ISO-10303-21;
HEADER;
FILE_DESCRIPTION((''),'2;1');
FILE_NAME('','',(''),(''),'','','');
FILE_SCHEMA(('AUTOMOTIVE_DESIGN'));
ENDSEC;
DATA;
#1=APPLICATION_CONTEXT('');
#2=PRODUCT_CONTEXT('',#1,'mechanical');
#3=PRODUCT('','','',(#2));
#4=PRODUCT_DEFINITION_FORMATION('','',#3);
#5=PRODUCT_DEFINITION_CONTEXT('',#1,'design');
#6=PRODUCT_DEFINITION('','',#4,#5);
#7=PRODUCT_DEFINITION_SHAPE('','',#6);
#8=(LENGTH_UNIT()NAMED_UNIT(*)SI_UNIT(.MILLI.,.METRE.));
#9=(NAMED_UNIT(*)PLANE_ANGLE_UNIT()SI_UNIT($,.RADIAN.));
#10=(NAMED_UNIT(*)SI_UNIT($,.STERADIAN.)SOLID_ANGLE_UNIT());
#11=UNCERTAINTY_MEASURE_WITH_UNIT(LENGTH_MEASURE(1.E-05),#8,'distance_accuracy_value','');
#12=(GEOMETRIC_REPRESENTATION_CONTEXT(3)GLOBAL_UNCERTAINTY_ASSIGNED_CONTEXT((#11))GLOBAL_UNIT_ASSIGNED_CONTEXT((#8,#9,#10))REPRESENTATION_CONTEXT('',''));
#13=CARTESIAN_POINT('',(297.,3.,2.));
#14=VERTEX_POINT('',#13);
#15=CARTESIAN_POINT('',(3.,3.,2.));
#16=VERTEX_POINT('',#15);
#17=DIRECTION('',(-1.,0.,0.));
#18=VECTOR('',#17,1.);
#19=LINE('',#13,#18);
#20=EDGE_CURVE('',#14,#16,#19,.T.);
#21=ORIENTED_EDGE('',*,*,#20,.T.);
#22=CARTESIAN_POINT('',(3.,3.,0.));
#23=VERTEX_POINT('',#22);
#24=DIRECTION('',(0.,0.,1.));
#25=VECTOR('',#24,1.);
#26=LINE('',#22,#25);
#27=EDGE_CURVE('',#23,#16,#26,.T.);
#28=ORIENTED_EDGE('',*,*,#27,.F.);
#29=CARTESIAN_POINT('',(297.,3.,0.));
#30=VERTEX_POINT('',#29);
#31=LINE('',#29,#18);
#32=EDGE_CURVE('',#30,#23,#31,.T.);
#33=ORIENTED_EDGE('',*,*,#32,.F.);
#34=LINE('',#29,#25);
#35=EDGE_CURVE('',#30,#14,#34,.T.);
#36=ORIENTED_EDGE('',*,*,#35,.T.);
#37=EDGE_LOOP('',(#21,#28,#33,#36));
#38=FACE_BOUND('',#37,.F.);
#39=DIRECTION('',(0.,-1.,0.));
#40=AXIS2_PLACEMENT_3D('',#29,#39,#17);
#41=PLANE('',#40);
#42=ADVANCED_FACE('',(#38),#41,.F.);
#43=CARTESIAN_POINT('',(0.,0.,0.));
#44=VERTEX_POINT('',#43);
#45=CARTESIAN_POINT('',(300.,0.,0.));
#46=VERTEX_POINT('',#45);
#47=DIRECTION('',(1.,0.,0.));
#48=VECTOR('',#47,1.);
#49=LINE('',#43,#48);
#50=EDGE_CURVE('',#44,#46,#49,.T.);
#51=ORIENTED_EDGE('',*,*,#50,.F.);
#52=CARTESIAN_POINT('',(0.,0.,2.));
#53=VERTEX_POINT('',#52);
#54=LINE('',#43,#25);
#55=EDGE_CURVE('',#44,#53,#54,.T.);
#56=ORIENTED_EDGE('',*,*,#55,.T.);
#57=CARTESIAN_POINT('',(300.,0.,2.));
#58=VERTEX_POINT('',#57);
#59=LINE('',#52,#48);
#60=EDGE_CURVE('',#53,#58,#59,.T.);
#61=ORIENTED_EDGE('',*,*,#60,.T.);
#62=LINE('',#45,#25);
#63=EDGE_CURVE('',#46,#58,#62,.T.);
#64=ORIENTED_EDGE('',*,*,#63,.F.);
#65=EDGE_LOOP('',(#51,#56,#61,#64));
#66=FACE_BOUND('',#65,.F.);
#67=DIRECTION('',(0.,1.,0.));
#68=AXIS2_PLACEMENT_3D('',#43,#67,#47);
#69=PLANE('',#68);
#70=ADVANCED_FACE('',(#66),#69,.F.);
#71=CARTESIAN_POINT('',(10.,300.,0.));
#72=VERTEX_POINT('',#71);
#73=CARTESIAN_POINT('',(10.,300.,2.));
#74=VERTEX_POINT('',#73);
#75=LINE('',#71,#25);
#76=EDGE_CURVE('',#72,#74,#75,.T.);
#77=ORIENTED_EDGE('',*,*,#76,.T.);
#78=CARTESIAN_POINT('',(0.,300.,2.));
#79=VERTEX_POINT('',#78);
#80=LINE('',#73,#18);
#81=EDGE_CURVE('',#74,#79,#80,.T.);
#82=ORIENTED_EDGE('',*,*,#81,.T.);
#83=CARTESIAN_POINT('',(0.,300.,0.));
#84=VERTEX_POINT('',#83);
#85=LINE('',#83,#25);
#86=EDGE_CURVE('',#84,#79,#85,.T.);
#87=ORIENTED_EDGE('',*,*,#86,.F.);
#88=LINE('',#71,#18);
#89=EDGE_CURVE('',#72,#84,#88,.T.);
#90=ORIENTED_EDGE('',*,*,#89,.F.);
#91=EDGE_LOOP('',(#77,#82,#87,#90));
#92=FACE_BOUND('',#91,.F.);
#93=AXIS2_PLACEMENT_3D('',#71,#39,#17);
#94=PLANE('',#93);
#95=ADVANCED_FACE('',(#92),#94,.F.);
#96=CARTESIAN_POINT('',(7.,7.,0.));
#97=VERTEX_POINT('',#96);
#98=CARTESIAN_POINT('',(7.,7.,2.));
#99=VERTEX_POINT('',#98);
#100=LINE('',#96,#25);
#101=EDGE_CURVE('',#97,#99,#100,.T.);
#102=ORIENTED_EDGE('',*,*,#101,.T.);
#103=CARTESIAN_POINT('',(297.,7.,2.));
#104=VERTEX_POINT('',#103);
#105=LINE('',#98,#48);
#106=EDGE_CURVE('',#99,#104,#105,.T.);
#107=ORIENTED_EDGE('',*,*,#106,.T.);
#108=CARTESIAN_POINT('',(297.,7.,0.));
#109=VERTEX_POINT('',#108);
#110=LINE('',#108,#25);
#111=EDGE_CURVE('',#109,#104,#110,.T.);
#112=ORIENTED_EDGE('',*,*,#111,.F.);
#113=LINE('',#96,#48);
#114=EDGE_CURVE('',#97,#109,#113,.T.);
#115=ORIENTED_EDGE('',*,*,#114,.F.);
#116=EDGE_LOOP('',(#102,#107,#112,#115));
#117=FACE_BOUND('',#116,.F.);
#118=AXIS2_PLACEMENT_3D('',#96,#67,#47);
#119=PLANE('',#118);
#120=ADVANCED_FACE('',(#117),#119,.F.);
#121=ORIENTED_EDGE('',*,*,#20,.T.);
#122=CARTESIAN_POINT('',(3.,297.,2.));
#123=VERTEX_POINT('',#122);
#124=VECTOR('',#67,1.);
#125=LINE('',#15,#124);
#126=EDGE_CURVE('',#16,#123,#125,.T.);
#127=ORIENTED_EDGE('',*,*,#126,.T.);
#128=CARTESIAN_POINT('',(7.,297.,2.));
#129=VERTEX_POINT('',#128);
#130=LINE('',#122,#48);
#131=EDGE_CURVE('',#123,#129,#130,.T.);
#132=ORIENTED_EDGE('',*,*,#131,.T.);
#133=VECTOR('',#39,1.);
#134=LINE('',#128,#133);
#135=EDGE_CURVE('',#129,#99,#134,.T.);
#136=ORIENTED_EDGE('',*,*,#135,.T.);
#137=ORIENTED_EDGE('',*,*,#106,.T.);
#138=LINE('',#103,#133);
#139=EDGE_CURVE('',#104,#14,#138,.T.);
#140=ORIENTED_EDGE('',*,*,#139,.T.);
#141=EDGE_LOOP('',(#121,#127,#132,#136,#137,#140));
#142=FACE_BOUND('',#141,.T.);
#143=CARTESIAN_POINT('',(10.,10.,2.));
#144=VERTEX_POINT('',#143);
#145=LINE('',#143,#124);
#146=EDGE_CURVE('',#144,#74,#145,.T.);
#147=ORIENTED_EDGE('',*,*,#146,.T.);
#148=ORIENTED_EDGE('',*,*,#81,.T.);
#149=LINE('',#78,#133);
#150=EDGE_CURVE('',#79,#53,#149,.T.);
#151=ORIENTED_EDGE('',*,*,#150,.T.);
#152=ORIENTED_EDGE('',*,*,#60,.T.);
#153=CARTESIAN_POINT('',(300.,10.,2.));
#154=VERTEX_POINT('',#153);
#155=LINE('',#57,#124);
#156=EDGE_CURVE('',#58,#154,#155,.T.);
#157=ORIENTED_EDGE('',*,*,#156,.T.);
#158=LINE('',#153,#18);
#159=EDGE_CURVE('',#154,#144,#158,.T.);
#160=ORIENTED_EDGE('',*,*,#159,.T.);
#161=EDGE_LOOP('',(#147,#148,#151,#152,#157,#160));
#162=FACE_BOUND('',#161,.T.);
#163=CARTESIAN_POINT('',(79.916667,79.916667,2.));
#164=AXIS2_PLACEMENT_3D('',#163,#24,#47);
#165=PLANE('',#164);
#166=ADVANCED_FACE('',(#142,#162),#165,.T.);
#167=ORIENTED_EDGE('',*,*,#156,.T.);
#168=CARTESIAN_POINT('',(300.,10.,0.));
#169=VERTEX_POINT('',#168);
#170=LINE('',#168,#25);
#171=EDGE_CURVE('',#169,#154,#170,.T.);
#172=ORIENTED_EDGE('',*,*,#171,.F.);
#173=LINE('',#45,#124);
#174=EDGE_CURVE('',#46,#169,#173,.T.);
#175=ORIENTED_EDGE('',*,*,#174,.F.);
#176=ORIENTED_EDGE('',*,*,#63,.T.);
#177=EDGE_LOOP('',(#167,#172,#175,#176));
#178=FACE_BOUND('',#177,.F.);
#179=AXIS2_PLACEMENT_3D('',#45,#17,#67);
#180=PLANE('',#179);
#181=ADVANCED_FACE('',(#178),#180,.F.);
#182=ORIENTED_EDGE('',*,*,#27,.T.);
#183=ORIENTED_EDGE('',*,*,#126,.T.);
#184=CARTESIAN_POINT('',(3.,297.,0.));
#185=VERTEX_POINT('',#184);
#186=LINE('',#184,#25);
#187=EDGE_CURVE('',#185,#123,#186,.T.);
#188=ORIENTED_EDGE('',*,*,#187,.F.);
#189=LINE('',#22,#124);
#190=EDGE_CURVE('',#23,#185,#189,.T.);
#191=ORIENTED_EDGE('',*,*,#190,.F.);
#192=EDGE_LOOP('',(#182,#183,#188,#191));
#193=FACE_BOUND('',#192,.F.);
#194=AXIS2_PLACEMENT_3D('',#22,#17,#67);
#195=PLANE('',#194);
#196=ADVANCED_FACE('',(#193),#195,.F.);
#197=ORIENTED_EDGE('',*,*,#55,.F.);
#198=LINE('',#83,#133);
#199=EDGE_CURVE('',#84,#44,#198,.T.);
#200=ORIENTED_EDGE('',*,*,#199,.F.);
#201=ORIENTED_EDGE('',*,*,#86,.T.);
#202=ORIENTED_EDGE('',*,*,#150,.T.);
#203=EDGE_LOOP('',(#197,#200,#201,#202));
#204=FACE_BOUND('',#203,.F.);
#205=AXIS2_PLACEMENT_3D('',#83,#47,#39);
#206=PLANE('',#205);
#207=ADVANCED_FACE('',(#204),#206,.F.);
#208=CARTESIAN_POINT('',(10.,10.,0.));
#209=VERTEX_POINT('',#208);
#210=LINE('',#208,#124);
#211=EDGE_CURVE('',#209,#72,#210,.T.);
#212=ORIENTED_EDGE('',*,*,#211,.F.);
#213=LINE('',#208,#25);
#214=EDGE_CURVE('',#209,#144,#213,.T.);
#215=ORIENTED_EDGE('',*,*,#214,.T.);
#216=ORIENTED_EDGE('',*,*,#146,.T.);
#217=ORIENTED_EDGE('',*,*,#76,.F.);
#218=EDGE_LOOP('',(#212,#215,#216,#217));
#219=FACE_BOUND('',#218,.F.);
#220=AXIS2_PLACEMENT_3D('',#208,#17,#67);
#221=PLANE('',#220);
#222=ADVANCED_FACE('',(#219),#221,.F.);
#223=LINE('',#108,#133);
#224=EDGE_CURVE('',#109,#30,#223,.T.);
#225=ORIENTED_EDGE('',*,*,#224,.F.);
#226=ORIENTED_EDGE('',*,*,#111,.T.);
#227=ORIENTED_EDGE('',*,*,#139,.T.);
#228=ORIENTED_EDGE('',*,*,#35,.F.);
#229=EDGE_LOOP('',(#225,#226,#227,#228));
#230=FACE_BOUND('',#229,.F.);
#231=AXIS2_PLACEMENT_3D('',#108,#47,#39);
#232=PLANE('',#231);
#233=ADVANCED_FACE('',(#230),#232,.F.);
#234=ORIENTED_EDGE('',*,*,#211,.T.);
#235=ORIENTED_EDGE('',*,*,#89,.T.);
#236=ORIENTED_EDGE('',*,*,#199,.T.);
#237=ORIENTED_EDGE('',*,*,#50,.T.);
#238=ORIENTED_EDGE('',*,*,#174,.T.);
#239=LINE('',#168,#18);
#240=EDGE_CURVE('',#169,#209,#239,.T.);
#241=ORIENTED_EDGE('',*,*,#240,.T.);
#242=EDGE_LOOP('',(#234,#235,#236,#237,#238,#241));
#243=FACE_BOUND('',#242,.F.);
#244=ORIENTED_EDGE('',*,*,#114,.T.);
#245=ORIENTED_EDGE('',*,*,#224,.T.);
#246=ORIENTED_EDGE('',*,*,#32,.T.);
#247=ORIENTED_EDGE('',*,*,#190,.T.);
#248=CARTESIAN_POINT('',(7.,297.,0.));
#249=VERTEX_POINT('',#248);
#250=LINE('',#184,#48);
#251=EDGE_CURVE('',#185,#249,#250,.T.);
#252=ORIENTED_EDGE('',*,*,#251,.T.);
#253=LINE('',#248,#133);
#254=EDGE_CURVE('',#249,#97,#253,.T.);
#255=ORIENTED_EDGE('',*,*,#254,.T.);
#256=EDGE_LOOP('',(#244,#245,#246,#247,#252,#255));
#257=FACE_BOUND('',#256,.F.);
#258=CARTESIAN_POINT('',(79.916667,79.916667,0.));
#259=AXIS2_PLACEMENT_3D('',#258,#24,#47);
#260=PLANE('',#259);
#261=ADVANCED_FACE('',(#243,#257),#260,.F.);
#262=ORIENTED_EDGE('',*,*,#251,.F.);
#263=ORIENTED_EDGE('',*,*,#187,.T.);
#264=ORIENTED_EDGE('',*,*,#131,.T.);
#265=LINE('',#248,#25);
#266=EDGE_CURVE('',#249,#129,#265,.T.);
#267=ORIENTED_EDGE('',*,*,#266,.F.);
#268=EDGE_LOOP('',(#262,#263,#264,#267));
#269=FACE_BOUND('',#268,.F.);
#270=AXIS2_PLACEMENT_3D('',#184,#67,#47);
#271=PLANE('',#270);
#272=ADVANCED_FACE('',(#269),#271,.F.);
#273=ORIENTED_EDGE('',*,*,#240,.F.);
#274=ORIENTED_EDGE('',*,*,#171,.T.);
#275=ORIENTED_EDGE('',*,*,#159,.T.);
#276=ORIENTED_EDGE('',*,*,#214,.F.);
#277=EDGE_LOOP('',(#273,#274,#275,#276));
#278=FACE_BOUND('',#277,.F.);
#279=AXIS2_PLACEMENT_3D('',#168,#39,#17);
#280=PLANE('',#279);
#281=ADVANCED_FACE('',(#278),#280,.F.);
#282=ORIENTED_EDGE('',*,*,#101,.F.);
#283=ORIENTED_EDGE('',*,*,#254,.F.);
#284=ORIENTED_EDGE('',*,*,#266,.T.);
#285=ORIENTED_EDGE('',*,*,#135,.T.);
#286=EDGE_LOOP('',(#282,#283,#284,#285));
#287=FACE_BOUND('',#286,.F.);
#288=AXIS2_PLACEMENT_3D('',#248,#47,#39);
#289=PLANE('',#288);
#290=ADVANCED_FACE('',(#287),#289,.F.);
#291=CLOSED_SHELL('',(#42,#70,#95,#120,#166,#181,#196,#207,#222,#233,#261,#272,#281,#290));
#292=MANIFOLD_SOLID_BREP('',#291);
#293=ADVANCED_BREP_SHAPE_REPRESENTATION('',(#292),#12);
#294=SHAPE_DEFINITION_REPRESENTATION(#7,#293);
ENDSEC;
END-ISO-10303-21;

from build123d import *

# Parameters (mm, degrees)
F1_DEPTH = 2


with BuildPart() as f1:
    # F0 (on Top) → F1 (new body)
    with BuildSketch(Plane.XY):
        Polygon((0, 10), (0, 0), (10, 0), (300, 0), (300, 10), (10, 10), (10, 300), (0, 300), align=None)
        Polygon((7, 297), (7, 7), (297, 7), (297, 3), (3, 3), (3, 297), align=None, mode=Mode.SUBTRACT)
    extrude(amount=F1_DEPTH)


solid = f1.part
